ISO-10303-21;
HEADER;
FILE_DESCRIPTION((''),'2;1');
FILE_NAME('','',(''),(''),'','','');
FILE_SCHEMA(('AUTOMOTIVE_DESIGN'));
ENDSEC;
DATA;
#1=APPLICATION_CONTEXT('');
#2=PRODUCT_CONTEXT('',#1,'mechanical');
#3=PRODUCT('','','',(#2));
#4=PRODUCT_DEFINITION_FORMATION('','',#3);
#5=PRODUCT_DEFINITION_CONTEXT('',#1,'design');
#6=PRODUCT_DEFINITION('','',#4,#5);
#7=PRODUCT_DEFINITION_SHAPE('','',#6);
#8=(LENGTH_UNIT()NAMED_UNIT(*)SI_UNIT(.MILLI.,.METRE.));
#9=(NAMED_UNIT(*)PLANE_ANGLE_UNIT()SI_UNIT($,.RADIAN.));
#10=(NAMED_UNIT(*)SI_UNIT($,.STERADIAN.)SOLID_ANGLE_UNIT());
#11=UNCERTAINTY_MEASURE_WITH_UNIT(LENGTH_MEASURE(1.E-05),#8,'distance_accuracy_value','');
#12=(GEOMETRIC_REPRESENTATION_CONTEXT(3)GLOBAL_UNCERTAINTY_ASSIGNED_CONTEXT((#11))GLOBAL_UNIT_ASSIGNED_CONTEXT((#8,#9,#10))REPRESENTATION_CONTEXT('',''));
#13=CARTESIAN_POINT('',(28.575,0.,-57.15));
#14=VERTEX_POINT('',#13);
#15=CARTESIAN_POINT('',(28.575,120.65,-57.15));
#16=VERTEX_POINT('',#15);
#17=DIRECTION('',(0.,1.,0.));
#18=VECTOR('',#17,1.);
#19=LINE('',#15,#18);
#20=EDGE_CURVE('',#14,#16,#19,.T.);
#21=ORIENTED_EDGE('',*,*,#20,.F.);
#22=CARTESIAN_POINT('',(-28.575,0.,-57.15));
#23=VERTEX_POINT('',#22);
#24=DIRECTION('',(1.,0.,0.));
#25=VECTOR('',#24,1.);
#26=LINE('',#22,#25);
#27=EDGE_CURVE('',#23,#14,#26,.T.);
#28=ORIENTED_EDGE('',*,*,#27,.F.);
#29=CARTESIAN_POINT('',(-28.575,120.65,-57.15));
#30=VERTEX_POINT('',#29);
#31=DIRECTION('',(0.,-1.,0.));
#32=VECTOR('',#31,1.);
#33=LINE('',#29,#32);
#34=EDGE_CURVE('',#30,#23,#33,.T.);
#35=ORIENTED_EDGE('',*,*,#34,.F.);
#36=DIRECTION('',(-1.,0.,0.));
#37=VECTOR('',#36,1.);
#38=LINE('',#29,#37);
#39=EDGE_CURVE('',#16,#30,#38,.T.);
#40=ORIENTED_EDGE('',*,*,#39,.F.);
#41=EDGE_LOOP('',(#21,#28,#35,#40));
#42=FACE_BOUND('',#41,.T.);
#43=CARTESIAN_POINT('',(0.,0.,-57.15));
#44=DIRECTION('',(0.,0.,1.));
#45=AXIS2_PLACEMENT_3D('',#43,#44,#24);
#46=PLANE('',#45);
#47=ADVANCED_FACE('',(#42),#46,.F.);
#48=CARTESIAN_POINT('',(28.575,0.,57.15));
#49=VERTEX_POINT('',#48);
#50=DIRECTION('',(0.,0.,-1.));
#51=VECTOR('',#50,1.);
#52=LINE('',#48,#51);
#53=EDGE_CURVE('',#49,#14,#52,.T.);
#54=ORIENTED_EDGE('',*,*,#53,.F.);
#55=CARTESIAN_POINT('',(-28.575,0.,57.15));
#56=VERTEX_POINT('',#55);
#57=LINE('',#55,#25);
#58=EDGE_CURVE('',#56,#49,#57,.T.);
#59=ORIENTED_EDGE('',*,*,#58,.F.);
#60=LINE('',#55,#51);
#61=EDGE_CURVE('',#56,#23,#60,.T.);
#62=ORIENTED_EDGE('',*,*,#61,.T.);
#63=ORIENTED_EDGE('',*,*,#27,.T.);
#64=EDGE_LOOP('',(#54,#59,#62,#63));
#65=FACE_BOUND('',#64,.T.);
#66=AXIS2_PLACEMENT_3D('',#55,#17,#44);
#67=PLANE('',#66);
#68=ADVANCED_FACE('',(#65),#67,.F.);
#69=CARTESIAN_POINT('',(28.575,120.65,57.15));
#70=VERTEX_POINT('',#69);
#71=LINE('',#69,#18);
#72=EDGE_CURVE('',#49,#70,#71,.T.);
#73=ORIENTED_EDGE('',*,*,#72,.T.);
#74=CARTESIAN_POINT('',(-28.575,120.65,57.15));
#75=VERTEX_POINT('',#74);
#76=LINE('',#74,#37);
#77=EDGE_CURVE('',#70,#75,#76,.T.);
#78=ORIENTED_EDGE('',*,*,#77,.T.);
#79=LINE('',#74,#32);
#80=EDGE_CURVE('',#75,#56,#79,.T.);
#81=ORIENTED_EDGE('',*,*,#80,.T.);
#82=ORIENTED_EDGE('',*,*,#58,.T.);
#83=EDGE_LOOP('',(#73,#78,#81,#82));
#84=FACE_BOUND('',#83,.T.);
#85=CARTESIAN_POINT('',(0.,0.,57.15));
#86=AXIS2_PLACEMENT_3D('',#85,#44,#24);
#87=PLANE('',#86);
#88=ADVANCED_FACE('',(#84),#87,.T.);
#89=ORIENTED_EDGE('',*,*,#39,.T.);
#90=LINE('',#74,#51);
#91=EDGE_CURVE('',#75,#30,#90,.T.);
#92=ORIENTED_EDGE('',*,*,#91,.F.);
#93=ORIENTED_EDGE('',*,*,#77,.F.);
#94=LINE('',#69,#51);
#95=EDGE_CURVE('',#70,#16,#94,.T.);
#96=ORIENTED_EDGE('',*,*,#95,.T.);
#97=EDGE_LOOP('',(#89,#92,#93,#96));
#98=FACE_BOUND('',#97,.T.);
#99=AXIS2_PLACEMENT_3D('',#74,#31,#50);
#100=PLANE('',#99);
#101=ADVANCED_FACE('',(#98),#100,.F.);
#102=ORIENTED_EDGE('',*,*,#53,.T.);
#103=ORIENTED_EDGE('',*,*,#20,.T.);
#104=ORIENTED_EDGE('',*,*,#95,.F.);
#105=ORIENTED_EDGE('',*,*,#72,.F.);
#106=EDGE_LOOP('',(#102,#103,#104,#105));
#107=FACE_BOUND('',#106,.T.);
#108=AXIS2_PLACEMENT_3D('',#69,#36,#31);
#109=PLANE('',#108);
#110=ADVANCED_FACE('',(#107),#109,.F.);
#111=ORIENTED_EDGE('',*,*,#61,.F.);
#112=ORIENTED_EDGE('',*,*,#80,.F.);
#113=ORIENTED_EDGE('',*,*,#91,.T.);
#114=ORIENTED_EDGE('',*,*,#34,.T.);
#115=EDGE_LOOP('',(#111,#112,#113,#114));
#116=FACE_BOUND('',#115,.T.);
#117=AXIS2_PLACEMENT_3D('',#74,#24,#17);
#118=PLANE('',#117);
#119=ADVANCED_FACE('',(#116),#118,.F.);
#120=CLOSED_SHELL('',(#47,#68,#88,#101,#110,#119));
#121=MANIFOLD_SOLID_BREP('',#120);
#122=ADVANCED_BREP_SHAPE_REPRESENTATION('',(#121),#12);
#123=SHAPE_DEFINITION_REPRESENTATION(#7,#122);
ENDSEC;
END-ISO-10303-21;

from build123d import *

# Parameters (mm, degrees)
SKETCH1_W           = 57.15
SKETCH1_H           = 120.65
BOSS_EXTRUDE1_DEPTH = 57.15


with BuildPart() as part:
    # Sketch1 → Boss-Extrude1 (new, symmetric)
    with BuildSketch(Plane.XY):
        with Locations((0, 60.325)):
            Rectangle(SKETCH1_W, SKETCH1_H)
    extrude(amount=BOSS_EXTRUDE1_DEPTH, both=True)


solid = part.part
